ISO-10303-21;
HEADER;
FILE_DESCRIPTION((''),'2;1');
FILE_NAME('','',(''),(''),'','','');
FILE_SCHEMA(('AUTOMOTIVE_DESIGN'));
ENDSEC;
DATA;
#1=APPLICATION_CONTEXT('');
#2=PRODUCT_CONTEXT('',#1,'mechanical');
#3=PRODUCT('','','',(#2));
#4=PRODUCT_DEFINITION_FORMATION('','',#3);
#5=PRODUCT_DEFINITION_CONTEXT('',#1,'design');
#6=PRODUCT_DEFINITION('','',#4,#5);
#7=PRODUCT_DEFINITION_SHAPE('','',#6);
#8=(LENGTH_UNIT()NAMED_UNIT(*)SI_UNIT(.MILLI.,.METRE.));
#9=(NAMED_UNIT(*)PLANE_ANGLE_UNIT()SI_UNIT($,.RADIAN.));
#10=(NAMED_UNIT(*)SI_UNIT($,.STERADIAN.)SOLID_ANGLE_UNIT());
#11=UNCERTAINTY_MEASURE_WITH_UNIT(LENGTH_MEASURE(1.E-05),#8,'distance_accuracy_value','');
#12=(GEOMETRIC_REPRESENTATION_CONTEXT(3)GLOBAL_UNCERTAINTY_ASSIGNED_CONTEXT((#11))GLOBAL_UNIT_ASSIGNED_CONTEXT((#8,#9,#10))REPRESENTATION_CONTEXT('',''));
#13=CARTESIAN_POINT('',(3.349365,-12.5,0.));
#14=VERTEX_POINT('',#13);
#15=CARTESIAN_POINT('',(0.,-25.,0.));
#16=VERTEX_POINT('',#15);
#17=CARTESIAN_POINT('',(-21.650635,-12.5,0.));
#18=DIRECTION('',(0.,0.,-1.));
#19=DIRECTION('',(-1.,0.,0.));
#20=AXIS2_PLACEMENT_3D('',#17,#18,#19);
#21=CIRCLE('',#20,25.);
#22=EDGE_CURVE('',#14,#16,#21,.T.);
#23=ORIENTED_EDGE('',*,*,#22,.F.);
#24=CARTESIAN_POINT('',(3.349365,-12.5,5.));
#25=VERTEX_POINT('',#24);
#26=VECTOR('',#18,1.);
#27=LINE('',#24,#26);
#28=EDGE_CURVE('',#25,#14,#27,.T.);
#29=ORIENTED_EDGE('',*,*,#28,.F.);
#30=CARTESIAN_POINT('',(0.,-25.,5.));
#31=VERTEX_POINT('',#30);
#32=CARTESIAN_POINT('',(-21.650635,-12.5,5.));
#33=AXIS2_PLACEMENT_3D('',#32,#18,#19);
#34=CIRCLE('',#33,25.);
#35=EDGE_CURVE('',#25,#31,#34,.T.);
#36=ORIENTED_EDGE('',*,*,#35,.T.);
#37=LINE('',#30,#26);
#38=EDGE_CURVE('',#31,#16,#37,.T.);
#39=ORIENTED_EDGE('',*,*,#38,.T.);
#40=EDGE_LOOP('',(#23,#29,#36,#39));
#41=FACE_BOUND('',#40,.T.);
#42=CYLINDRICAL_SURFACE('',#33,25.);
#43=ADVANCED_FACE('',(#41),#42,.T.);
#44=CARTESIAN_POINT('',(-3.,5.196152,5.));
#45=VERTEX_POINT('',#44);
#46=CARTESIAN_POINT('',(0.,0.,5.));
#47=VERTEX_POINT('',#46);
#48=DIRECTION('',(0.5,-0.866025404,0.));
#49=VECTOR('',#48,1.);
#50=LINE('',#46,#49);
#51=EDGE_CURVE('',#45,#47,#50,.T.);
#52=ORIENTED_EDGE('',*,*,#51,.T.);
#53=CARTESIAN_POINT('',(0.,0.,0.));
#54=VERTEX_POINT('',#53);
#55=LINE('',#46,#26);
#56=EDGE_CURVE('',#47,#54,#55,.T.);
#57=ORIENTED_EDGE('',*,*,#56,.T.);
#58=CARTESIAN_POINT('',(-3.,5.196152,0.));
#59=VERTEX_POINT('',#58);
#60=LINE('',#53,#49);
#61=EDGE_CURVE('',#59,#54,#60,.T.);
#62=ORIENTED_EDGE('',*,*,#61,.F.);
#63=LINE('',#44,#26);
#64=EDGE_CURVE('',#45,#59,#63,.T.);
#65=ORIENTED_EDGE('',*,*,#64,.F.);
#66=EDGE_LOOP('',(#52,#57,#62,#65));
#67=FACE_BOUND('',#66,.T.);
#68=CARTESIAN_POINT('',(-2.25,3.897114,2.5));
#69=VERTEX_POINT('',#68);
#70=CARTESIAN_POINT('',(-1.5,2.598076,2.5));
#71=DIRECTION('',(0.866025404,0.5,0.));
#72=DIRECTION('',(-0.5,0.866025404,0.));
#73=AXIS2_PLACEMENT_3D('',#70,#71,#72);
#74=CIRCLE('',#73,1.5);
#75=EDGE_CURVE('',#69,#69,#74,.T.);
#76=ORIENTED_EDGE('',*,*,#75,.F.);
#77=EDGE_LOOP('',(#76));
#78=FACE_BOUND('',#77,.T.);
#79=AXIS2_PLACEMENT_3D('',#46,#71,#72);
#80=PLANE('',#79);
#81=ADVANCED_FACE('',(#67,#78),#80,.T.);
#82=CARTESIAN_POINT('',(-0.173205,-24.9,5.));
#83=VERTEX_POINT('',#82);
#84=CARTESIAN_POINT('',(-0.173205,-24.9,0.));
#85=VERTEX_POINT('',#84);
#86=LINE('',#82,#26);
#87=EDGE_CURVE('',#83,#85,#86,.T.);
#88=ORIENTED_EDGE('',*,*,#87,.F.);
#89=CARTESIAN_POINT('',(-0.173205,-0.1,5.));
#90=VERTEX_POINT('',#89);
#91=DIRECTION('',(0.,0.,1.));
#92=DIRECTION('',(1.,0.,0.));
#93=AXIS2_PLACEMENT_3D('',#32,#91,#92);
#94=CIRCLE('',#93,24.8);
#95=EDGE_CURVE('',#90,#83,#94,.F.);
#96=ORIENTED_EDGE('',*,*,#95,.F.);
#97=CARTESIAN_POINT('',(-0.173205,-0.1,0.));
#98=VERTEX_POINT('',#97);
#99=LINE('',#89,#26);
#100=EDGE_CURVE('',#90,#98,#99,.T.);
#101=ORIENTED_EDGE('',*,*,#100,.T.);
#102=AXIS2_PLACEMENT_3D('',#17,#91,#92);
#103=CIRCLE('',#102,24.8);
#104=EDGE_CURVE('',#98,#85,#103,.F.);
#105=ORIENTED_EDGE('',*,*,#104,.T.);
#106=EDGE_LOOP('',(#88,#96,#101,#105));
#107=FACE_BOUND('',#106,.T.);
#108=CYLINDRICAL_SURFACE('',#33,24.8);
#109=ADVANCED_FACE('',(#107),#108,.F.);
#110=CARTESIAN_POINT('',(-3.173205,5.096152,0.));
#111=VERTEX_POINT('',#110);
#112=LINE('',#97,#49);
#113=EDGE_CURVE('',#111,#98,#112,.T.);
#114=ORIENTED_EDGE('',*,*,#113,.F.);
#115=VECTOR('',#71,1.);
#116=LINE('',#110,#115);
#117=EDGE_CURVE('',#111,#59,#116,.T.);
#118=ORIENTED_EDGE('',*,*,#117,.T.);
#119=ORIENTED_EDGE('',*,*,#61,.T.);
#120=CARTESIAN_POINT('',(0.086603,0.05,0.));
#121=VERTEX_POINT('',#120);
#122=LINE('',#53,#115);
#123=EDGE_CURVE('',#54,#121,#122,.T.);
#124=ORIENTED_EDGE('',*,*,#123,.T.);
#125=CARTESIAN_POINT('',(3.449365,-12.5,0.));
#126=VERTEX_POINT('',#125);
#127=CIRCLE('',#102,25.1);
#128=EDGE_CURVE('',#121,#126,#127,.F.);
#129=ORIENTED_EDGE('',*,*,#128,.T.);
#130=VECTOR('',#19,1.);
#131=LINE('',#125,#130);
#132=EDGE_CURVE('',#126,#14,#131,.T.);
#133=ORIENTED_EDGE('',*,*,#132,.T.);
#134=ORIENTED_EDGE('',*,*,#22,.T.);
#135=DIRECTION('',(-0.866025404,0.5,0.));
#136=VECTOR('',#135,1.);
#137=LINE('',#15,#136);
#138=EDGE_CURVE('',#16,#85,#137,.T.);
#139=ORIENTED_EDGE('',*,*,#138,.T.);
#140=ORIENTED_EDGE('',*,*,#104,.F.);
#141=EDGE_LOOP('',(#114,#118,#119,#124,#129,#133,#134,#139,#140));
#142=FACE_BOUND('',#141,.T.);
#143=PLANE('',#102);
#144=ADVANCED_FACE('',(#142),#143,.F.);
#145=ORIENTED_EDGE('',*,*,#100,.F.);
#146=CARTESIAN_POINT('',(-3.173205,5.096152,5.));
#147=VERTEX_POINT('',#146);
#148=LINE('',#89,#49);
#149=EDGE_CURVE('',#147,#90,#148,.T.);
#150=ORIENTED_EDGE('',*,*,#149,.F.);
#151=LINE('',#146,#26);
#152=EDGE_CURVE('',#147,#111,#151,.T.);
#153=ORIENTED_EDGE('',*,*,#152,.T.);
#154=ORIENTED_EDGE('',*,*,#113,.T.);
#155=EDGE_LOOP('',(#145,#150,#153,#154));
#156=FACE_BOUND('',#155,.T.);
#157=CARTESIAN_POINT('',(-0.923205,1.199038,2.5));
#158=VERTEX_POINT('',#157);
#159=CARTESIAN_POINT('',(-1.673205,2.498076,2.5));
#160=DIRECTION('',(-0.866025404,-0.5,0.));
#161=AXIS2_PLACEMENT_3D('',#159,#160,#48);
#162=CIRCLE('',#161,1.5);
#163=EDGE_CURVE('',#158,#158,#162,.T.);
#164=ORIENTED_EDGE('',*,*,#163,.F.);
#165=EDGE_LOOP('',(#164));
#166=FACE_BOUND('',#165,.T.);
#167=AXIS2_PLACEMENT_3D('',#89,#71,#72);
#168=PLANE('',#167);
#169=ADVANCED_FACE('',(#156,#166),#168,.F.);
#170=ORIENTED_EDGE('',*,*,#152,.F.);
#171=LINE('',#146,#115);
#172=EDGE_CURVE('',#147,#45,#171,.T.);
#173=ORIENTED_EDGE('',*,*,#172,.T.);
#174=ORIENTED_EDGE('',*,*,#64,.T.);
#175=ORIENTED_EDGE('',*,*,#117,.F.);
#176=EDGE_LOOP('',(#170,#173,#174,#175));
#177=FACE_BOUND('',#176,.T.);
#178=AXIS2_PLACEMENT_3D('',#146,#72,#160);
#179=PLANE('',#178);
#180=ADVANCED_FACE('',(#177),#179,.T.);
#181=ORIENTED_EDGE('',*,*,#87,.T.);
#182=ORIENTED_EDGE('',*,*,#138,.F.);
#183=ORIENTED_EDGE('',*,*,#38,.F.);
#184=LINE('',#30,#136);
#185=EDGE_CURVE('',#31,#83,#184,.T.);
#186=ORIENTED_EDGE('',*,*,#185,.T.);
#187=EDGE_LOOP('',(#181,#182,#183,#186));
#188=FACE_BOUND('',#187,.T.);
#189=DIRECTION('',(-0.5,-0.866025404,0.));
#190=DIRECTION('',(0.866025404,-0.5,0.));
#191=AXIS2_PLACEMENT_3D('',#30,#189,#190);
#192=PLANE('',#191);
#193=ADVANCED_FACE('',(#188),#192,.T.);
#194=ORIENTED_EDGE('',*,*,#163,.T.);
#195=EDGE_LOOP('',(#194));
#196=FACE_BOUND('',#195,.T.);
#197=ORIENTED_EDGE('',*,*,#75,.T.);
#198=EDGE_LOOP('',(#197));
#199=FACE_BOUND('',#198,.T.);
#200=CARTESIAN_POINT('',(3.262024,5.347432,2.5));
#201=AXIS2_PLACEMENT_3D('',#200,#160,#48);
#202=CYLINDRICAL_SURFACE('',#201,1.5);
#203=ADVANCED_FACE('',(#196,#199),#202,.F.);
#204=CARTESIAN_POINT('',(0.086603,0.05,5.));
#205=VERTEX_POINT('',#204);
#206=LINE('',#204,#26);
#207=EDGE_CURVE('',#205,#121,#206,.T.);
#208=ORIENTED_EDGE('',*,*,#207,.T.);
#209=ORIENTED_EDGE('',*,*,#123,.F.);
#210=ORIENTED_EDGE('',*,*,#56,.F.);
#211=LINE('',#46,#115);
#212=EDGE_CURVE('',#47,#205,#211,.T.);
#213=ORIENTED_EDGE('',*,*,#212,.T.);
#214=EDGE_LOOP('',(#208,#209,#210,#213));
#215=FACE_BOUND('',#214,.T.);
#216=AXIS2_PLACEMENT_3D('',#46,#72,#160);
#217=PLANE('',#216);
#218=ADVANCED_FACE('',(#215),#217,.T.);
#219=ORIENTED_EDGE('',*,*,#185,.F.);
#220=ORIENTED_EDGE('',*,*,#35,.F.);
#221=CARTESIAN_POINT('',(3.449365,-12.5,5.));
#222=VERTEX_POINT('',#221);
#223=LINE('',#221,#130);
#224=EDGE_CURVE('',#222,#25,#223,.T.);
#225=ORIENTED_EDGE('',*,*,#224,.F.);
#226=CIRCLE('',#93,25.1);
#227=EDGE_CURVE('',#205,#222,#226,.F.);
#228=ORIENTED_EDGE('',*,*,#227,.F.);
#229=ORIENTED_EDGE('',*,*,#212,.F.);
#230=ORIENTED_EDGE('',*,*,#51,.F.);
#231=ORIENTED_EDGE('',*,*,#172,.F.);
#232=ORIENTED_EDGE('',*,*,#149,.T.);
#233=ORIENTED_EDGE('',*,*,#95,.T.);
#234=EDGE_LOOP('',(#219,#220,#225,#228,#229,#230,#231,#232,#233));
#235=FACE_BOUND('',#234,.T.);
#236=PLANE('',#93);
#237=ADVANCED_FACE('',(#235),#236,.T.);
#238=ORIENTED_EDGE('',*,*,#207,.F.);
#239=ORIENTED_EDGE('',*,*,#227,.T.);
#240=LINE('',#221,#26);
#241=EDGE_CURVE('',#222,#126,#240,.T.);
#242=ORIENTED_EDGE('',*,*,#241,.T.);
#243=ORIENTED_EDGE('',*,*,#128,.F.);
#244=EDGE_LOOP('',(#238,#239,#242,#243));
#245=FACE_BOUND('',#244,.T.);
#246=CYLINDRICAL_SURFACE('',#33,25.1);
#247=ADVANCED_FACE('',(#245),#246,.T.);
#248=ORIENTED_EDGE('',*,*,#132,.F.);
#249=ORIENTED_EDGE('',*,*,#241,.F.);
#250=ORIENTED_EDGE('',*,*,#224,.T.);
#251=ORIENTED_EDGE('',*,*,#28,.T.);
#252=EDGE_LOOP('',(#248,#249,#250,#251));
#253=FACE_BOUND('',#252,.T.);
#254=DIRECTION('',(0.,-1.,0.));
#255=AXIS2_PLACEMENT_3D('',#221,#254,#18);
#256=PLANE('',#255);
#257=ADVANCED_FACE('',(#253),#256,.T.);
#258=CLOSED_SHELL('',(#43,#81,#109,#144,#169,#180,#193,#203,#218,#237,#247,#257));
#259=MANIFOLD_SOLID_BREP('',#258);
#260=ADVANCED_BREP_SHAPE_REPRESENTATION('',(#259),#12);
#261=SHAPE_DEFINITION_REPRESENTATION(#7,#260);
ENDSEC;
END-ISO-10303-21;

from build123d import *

# Parameters (mm, degrees)
EXTRUDE_1_DEPTH     = 5
SKETCH_2_R          = 1.5
CUT_EXTRUDE_1_DEPTH = 6.698711306
EXTRUDE_2_DEPTH     = 5


with BuildPart() as part:
    # 草图1 → 拉伸-薄壁1 (new body)
    with BuildSketch(Plane.XY):
        with BuildLine():
            ThreePointArc((0, -25), (3.349364905, -12.5), (0, 0))
            Line((0, 0), (-3, 5.196152423))
            Line((-3, 5.196152423), (-3.173205081, 5.096152423))
            Line((-3.173205081, 5.096152423), (-0.173205081, -0.1))
            ThreePointArc((-0.173205081, -0.1), (3.149364905, -12.5), (-0.173205081, -24.9))
            Line((-0.173205081, -24.9), (0, -25))
        make_face()
    extrude(amount=EXTRUDE_1_DEPTH)

    # 草图2 → 切除-拉伸1 (cut, through all)
    with BuildSketch(Plane(origin=(-0.173205081, -0.1, 0), x_dir=(0, 0, 1), z_dir=(-0.866025404, -0.5, 0))):
        with Locations((2.5, 3)):
            Circle(SKETCH_2_R)
    extrude(amount=-CUT_EXTRUDE_1_DEPTH, mode=Mode.SUBTRACT)

    # 草图3 → 拉伸-薄壁2 (add)
    with BuildSketch(Plane.XY):
        with BuildLine():
            ThreePointArc((0, 0), (2.497510563, -6.029523872), (3.349364905, -12.5))
            Line((3.349364905, -12.5), (3.449364905, -12.5))
            ThreePointArc((3.449364905, -12.5), (2.594103145, -6.003641968), (0.08660254, 0.05))
            Line((0.08660254, 0.05), (0, 0))
        make_face()
    extrude(amount=EXTRUDE_2_DEPTH)


solid = part.part
